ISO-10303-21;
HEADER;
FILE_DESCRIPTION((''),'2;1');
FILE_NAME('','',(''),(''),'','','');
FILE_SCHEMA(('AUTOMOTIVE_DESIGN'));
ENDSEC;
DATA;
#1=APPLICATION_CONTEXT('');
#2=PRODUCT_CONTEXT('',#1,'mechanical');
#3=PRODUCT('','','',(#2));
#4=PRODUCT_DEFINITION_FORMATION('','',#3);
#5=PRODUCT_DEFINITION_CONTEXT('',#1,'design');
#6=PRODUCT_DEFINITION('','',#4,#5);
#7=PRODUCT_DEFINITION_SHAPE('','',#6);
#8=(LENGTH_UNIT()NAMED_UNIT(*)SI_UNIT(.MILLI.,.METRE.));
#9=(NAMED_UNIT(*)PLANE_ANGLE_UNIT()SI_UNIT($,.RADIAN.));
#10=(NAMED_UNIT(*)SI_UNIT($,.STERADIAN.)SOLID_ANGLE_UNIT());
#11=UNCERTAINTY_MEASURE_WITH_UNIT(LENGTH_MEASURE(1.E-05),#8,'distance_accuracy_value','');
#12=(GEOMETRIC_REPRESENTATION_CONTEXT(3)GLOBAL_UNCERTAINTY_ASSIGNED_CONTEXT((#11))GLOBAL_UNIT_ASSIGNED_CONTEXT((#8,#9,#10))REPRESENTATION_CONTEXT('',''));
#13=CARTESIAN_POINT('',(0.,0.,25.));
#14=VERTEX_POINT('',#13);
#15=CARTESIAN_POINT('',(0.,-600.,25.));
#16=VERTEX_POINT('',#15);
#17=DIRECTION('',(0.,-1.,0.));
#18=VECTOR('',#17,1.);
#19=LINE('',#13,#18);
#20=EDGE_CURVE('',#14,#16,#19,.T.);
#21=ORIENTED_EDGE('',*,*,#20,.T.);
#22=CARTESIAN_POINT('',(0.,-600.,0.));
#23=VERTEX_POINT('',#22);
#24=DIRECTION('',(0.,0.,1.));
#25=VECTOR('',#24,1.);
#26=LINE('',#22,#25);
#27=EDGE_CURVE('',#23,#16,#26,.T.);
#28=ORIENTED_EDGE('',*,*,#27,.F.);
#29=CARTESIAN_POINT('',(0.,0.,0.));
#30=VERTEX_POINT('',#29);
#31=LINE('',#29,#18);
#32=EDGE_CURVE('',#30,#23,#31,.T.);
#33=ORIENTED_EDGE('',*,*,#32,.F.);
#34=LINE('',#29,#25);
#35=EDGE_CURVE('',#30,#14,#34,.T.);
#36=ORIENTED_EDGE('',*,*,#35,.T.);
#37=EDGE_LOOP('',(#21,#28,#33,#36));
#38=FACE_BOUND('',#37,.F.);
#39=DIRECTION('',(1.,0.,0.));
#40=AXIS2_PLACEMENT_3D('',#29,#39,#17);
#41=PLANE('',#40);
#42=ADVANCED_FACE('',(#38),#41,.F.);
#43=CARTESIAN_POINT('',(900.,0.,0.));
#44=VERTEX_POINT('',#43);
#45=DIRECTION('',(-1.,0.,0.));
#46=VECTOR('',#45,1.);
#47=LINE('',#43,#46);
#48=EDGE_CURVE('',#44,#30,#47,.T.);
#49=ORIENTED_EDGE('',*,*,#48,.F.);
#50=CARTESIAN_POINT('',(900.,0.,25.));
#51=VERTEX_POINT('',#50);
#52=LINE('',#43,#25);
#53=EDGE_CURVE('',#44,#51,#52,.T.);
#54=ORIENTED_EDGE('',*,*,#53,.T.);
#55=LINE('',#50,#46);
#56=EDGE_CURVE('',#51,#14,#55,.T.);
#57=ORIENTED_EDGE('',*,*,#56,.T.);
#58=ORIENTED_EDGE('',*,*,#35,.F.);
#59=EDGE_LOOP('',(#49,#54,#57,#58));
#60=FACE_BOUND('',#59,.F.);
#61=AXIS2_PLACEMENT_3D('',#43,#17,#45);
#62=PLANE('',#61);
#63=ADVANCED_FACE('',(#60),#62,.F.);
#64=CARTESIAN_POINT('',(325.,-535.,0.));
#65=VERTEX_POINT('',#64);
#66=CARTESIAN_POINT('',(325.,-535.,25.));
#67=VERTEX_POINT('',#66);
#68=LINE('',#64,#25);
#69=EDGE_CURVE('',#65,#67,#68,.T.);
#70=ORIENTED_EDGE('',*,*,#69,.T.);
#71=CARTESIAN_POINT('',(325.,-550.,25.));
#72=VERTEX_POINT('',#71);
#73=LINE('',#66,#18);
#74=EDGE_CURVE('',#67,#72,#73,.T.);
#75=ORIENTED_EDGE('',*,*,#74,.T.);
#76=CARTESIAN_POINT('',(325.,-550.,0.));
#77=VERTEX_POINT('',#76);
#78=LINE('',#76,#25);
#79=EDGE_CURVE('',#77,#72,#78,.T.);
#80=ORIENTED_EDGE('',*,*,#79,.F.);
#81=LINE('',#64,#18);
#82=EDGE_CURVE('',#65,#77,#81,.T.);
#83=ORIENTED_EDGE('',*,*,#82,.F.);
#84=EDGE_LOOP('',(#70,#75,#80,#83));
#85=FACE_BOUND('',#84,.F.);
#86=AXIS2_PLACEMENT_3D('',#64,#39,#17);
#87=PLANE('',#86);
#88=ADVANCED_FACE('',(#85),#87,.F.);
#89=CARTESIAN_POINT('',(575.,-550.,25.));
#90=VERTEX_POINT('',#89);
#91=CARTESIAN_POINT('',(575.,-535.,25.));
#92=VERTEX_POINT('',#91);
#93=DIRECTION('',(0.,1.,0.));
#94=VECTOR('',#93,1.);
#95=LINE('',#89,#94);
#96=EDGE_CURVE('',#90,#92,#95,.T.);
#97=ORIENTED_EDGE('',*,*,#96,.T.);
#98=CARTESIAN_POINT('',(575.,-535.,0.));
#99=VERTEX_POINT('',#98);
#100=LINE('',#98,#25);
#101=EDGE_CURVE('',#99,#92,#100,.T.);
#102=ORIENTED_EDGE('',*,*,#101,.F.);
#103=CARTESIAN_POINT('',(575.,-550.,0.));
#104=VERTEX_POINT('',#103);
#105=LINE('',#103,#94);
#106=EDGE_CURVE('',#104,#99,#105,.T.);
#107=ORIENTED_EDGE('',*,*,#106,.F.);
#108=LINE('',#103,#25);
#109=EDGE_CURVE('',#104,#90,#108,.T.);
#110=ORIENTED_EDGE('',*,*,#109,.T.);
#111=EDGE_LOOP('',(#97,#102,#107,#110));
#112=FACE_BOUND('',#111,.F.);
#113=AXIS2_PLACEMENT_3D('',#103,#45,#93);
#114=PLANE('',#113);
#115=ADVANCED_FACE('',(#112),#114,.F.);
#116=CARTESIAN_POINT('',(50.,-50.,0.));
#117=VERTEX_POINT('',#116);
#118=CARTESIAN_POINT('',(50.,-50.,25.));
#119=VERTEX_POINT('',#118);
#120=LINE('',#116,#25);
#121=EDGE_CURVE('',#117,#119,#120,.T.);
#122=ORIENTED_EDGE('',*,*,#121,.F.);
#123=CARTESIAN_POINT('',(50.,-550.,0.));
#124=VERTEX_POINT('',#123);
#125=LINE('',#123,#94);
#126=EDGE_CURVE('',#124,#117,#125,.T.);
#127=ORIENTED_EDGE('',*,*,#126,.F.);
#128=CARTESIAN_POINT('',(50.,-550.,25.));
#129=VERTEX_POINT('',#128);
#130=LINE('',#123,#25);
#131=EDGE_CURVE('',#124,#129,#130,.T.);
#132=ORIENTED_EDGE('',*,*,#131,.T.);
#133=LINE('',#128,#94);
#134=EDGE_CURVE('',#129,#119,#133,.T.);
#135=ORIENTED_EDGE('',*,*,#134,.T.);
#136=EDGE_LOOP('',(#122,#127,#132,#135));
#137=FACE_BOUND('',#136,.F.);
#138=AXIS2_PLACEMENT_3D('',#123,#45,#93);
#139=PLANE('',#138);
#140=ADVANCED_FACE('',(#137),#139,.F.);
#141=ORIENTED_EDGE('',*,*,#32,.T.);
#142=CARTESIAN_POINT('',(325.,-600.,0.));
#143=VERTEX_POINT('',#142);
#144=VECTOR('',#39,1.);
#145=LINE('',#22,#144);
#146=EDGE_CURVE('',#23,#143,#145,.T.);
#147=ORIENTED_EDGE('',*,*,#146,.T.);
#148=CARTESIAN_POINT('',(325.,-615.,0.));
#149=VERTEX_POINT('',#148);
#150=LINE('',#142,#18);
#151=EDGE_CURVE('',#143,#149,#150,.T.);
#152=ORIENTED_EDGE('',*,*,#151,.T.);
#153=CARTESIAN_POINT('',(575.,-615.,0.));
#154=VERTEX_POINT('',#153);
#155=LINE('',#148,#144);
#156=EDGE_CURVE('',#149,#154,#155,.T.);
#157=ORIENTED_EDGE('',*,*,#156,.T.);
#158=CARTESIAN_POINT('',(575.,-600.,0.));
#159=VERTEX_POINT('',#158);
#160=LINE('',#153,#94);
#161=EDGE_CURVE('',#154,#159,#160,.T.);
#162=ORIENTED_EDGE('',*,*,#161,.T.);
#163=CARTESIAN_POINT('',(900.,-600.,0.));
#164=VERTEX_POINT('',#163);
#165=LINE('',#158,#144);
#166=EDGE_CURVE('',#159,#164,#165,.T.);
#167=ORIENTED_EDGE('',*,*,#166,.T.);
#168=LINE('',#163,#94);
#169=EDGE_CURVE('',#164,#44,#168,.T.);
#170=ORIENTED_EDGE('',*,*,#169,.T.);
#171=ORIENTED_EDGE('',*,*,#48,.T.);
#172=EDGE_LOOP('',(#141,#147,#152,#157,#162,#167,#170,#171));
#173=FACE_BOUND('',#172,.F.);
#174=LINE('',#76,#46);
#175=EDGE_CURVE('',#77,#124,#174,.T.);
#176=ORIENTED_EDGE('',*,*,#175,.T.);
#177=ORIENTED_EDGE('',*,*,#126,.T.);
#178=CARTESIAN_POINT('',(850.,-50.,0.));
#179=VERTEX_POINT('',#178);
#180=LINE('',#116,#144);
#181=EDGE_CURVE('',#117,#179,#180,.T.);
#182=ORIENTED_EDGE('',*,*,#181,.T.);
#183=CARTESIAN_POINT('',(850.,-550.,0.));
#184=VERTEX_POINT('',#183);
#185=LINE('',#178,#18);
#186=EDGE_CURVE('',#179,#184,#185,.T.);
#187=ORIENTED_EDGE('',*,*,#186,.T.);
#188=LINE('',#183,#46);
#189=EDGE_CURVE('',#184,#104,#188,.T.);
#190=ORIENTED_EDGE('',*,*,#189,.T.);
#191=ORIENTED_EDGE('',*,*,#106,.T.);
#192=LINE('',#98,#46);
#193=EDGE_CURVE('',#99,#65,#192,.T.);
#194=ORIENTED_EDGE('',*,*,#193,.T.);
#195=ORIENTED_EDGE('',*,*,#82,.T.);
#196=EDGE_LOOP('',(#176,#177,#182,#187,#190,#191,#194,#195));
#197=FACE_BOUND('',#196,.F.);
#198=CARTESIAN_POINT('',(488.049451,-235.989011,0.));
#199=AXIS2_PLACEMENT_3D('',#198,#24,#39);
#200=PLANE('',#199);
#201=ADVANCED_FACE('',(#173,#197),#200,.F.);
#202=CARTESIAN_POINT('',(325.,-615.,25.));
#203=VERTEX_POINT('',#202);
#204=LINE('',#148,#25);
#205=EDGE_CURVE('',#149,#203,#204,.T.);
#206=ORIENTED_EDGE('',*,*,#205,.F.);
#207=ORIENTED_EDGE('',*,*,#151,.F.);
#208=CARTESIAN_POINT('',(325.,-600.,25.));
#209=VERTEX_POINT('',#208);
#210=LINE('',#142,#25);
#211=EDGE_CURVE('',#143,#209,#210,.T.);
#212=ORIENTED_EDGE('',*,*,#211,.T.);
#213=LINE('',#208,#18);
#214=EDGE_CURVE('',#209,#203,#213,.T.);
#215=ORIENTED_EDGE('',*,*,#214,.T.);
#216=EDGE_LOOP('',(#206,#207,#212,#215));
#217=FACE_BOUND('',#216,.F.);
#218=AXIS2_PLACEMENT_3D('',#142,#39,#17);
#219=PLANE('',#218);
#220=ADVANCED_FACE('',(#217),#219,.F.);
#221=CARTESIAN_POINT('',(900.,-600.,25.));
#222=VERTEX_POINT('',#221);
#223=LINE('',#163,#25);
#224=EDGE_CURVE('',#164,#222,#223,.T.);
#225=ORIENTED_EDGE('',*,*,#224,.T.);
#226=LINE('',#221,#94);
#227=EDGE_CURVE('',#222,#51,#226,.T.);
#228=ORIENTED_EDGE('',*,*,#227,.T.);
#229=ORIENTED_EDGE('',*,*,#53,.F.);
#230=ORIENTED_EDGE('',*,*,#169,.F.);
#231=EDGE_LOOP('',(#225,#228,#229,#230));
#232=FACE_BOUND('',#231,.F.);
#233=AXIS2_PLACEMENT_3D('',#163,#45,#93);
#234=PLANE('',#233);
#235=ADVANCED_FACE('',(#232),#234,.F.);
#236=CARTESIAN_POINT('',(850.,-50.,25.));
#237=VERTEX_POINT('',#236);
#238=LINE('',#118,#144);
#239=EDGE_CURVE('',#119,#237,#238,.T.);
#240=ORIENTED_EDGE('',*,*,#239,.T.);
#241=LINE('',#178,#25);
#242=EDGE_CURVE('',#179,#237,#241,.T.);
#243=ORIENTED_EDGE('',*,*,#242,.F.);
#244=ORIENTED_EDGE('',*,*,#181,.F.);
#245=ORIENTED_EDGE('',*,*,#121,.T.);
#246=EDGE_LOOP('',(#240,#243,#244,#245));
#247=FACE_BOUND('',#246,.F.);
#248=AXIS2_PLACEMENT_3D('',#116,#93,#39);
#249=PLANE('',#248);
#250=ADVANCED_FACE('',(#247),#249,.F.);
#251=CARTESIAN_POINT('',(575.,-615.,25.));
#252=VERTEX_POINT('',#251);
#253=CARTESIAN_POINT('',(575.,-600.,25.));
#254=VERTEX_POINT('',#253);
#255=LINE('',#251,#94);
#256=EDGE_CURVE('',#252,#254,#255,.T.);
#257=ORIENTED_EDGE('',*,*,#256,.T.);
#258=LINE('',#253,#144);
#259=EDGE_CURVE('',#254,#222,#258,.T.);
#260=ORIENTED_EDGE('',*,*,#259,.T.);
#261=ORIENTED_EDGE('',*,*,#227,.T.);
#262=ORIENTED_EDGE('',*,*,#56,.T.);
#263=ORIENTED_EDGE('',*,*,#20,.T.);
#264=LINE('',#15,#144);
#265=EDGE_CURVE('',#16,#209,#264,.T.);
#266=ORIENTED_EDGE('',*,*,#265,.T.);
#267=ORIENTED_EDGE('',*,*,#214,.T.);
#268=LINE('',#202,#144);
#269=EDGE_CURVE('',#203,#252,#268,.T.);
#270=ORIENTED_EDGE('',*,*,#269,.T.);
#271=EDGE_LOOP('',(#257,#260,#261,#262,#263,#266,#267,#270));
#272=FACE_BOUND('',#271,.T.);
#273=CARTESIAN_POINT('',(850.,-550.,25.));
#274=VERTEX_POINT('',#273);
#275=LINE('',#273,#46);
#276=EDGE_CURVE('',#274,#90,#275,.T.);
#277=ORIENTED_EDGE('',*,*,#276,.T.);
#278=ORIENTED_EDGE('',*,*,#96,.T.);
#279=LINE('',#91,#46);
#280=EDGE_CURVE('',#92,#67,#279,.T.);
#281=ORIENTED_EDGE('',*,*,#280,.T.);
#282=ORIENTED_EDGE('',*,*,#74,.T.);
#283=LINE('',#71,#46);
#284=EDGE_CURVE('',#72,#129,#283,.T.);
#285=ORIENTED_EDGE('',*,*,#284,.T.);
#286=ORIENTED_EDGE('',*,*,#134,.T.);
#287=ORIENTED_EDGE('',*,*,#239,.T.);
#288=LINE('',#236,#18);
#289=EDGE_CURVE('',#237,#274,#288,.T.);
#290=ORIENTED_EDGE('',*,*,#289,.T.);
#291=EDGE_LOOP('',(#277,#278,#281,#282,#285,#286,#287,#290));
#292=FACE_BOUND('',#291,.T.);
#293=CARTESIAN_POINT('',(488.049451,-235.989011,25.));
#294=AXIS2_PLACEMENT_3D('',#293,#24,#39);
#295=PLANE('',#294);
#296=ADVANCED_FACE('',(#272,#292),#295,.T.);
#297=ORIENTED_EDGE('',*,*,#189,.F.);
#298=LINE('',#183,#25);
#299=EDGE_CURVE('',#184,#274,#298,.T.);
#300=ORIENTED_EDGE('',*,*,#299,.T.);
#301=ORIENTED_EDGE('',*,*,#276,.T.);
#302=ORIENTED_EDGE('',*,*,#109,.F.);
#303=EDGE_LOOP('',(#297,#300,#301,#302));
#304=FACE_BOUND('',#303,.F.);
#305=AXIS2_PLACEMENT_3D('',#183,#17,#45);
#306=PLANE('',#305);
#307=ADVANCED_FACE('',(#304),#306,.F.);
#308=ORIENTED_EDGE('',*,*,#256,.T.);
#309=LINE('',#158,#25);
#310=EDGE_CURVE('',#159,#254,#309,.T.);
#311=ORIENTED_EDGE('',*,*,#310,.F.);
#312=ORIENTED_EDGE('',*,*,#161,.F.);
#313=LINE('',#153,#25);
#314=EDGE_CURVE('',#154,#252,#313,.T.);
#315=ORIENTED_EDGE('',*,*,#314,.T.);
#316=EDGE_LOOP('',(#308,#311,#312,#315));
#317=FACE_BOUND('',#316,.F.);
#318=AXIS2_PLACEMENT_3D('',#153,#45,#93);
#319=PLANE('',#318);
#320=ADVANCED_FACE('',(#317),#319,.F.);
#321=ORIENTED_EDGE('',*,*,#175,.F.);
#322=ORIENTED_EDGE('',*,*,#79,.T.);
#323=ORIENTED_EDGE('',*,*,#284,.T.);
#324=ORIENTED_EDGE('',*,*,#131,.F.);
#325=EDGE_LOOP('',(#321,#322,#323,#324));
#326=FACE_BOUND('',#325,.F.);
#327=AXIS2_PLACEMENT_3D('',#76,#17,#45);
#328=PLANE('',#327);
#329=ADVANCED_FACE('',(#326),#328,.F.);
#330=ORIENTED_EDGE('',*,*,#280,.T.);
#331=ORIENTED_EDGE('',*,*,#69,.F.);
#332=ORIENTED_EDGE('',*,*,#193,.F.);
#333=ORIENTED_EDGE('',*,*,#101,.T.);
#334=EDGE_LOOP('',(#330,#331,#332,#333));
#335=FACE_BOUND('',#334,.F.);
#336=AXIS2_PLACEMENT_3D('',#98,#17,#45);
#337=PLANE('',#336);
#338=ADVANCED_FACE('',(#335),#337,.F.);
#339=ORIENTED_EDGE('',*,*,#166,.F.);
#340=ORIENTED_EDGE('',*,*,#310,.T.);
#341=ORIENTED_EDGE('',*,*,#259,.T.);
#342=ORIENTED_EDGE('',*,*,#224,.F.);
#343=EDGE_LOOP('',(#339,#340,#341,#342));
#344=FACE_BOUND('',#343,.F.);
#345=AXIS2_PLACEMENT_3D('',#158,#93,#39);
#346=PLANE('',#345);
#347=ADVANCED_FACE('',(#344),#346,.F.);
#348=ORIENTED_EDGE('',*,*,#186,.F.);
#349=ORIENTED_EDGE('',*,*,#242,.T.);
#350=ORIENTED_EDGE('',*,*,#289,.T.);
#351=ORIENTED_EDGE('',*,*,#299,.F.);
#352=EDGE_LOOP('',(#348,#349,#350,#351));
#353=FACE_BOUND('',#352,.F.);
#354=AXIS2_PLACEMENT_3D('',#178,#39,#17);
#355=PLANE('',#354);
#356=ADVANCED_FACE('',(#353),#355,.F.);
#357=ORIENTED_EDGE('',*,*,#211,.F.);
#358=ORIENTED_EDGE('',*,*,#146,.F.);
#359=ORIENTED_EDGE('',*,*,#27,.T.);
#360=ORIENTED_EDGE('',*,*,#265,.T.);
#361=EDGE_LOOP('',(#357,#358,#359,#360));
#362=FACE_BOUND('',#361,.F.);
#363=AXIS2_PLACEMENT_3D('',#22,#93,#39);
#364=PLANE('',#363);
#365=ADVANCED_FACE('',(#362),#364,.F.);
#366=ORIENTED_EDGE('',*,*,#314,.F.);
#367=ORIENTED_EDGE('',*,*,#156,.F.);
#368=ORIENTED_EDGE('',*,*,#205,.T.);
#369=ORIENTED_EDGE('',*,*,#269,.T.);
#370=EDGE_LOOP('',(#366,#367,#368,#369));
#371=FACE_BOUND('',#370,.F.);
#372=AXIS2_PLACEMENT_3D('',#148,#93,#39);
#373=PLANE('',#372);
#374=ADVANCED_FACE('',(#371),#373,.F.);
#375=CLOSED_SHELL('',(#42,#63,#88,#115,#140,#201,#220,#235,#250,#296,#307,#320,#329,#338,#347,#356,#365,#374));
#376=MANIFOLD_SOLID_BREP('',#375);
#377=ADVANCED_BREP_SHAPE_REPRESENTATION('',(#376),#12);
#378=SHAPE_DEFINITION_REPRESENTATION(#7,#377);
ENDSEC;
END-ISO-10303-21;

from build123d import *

# Parameters (mm, degrees)
F1_DEPTH = 25


with BuildPart() as f1:
    # F0 (on Top) → F1 (new body)
    with BuildSketch(Plane.XY):
        Polygon((900, 0), (0, 0), (0, -550), (50, -550), (50, -50), (850, -50), (850, -550), (575, -550), (575, -600), (900, -600), align=None)
        Polygon((50, -550), (0, -550), (0, -600), (325, -600), (325, -550), align=None)
        Polygon((575, -615), (575, -600), (575, -550), (575, -535), (325, -535), (325, -550), (325, -600), (325, -615), align=None)
    extrude(amount=F1_DEPTH)


solid = f1.part
